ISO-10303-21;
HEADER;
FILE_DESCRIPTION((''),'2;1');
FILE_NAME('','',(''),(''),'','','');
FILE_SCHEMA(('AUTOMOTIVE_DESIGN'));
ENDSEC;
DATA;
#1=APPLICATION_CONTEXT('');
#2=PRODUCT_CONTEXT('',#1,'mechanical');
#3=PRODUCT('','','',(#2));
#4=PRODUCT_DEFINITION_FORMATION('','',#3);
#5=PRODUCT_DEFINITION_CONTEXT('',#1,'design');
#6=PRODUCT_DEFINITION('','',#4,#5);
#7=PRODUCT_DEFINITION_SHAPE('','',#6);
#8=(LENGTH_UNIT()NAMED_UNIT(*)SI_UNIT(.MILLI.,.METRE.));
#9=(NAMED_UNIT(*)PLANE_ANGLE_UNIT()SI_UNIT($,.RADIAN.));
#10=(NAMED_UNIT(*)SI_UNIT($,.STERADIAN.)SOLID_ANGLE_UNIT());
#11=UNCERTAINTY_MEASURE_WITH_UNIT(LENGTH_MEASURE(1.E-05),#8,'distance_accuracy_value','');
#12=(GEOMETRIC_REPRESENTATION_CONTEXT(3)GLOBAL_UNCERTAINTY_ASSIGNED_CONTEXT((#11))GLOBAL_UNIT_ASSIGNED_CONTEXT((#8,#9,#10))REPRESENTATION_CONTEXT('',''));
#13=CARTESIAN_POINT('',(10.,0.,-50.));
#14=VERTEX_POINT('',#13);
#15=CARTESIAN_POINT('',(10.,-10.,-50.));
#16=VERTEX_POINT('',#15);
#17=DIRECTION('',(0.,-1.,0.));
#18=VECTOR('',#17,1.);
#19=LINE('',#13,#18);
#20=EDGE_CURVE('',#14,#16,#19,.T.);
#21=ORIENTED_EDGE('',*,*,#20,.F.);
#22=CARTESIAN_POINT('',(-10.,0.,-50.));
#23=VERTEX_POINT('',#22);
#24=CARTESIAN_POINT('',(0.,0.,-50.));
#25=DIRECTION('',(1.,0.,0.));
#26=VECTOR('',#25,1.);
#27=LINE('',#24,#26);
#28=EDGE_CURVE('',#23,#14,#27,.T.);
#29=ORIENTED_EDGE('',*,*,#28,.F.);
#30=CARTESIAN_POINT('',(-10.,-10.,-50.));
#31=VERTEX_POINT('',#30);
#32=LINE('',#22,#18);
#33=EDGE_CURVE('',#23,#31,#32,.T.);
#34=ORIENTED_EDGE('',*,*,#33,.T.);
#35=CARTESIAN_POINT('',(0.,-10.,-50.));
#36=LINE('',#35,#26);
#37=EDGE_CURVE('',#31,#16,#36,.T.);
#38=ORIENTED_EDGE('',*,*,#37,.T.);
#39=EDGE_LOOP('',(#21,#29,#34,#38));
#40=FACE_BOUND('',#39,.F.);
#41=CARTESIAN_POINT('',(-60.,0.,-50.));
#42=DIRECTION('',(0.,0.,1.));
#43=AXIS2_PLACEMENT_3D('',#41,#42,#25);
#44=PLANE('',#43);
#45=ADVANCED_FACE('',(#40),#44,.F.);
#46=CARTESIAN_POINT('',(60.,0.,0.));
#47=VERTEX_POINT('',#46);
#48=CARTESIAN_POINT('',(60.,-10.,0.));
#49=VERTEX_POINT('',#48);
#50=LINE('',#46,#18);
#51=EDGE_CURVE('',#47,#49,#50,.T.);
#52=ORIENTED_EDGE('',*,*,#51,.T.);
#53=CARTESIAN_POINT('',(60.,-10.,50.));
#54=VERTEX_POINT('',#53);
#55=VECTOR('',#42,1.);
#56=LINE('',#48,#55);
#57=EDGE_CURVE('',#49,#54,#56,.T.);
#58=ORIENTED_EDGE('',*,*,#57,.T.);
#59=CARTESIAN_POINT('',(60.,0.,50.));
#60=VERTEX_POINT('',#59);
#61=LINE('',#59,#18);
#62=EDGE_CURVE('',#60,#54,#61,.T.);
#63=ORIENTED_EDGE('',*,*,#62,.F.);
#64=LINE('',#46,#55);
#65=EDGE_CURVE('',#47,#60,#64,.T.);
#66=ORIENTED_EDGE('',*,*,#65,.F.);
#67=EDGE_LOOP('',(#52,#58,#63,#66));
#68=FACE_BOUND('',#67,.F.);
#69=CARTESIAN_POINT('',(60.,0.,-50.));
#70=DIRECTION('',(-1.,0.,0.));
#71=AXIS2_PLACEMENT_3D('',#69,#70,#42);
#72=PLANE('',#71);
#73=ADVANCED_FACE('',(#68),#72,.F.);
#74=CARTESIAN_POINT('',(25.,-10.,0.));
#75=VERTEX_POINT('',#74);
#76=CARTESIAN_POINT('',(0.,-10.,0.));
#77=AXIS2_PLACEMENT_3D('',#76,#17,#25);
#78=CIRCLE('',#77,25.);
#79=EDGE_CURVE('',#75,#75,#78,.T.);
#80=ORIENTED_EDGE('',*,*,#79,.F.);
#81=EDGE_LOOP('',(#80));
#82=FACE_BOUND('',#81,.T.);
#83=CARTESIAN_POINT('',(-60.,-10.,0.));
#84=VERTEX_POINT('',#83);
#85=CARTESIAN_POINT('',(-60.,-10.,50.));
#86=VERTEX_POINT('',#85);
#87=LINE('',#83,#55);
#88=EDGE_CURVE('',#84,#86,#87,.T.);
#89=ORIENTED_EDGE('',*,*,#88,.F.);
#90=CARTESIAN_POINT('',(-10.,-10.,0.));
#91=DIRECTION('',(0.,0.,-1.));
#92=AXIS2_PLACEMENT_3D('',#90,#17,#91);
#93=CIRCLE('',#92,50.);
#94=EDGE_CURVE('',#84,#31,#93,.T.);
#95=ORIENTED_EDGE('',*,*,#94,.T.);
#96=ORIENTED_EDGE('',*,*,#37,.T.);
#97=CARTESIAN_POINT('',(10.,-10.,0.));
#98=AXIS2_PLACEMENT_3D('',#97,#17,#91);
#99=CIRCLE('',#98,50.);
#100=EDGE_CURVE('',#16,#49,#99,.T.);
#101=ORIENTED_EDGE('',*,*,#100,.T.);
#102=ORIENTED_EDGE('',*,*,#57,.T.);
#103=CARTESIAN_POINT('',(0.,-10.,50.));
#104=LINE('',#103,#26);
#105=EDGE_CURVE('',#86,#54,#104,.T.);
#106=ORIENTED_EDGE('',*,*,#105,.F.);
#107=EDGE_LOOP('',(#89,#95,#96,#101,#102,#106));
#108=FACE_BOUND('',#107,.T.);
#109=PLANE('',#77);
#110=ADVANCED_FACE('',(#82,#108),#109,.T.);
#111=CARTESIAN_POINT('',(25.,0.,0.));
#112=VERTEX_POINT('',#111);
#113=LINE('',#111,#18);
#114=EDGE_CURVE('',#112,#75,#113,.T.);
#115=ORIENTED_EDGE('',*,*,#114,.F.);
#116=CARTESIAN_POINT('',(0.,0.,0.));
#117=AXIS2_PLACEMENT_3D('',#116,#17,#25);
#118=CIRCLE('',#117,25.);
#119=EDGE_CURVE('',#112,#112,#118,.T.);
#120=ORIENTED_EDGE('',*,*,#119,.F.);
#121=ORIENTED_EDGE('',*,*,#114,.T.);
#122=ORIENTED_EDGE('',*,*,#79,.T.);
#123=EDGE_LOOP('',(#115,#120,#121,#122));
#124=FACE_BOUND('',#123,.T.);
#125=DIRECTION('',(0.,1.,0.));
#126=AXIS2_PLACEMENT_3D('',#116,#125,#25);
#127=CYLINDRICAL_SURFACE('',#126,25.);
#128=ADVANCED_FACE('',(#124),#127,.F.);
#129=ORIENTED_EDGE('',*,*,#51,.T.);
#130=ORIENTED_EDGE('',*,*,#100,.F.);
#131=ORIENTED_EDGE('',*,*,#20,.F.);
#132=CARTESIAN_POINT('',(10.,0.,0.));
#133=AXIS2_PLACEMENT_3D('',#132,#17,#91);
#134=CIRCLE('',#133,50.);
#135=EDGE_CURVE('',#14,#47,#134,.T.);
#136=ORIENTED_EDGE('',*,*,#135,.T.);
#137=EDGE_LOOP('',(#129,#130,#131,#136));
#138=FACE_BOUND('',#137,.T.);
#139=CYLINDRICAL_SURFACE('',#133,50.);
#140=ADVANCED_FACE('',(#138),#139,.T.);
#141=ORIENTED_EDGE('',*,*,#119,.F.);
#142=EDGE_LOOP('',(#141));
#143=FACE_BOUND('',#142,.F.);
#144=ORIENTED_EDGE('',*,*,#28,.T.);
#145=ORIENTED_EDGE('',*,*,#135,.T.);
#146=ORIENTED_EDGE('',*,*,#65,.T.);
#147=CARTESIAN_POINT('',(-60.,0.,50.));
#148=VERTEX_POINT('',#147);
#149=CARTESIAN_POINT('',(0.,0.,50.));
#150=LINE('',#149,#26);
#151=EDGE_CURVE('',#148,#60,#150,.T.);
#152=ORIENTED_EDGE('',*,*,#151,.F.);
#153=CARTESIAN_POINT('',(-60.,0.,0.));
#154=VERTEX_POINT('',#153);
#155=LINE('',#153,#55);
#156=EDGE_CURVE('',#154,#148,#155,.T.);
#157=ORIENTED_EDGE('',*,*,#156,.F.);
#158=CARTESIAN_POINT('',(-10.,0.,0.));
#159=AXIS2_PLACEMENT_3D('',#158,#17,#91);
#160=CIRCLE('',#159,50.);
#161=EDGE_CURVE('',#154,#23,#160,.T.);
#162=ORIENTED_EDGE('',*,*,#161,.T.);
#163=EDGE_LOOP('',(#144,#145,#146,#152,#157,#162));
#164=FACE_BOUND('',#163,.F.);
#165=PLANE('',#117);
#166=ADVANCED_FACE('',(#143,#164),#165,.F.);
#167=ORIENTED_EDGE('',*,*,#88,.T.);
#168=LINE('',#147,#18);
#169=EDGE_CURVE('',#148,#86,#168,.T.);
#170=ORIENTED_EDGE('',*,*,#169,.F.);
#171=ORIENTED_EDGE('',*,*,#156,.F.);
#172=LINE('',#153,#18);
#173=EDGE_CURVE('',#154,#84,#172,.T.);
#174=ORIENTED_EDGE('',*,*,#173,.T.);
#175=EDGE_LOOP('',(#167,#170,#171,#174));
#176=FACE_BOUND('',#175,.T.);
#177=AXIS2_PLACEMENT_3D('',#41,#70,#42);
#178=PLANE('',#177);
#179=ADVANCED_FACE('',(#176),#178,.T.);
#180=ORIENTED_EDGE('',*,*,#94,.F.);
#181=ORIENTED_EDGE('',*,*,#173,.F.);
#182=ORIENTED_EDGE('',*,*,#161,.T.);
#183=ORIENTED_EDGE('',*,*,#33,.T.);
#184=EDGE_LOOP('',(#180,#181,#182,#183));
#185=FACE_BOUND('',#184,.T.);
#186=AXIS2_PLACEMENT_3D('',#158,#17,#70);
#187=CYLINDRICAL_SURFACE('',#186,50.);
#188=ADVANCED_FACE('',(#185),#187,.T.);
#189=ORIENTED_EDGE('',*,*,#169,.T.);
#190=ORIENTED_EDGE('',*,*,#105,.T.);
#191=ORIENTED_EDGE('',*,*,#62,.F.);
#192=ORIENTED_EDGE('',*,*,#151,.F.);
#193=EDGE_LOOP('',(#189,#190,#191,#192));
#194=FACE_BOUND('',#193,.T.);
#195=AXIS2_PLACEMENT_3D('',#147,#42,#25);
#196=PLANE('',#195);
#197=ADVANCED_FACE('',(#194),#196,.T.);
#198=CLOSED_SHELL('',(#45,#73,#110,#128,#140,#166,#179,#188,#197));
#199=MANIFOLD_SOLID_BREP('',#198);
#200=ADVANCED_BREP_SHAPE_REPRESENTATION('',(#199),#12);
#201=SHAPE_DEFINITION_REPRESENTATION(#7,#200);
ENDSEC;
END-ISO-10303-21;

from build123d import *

# Parameters (mm, degrees)
F0_W     = 120
F0_H     = 100
F0_R     = 25
F1_DEPTH = 10
F2_R     = 50


with BuildPart() as f1:
    # F0 (on Front) → F1 (new body)
    with BuildSketch(Plane.XZ):
        Rectangle(F0_W, F0_H)
        Circle(F0_R, mode=Mode.SUBTRACT)
    extrude(amount=F1_DEPTH)

    # F2
    f2_edges = [f1.edges().sort_by_distance(p)[0] for p in [
        (-60, -5, -50),
        (60, -5, -50),
    ]]
    fillet(f2_edges, radius=F2_R)


solid = f1.part
